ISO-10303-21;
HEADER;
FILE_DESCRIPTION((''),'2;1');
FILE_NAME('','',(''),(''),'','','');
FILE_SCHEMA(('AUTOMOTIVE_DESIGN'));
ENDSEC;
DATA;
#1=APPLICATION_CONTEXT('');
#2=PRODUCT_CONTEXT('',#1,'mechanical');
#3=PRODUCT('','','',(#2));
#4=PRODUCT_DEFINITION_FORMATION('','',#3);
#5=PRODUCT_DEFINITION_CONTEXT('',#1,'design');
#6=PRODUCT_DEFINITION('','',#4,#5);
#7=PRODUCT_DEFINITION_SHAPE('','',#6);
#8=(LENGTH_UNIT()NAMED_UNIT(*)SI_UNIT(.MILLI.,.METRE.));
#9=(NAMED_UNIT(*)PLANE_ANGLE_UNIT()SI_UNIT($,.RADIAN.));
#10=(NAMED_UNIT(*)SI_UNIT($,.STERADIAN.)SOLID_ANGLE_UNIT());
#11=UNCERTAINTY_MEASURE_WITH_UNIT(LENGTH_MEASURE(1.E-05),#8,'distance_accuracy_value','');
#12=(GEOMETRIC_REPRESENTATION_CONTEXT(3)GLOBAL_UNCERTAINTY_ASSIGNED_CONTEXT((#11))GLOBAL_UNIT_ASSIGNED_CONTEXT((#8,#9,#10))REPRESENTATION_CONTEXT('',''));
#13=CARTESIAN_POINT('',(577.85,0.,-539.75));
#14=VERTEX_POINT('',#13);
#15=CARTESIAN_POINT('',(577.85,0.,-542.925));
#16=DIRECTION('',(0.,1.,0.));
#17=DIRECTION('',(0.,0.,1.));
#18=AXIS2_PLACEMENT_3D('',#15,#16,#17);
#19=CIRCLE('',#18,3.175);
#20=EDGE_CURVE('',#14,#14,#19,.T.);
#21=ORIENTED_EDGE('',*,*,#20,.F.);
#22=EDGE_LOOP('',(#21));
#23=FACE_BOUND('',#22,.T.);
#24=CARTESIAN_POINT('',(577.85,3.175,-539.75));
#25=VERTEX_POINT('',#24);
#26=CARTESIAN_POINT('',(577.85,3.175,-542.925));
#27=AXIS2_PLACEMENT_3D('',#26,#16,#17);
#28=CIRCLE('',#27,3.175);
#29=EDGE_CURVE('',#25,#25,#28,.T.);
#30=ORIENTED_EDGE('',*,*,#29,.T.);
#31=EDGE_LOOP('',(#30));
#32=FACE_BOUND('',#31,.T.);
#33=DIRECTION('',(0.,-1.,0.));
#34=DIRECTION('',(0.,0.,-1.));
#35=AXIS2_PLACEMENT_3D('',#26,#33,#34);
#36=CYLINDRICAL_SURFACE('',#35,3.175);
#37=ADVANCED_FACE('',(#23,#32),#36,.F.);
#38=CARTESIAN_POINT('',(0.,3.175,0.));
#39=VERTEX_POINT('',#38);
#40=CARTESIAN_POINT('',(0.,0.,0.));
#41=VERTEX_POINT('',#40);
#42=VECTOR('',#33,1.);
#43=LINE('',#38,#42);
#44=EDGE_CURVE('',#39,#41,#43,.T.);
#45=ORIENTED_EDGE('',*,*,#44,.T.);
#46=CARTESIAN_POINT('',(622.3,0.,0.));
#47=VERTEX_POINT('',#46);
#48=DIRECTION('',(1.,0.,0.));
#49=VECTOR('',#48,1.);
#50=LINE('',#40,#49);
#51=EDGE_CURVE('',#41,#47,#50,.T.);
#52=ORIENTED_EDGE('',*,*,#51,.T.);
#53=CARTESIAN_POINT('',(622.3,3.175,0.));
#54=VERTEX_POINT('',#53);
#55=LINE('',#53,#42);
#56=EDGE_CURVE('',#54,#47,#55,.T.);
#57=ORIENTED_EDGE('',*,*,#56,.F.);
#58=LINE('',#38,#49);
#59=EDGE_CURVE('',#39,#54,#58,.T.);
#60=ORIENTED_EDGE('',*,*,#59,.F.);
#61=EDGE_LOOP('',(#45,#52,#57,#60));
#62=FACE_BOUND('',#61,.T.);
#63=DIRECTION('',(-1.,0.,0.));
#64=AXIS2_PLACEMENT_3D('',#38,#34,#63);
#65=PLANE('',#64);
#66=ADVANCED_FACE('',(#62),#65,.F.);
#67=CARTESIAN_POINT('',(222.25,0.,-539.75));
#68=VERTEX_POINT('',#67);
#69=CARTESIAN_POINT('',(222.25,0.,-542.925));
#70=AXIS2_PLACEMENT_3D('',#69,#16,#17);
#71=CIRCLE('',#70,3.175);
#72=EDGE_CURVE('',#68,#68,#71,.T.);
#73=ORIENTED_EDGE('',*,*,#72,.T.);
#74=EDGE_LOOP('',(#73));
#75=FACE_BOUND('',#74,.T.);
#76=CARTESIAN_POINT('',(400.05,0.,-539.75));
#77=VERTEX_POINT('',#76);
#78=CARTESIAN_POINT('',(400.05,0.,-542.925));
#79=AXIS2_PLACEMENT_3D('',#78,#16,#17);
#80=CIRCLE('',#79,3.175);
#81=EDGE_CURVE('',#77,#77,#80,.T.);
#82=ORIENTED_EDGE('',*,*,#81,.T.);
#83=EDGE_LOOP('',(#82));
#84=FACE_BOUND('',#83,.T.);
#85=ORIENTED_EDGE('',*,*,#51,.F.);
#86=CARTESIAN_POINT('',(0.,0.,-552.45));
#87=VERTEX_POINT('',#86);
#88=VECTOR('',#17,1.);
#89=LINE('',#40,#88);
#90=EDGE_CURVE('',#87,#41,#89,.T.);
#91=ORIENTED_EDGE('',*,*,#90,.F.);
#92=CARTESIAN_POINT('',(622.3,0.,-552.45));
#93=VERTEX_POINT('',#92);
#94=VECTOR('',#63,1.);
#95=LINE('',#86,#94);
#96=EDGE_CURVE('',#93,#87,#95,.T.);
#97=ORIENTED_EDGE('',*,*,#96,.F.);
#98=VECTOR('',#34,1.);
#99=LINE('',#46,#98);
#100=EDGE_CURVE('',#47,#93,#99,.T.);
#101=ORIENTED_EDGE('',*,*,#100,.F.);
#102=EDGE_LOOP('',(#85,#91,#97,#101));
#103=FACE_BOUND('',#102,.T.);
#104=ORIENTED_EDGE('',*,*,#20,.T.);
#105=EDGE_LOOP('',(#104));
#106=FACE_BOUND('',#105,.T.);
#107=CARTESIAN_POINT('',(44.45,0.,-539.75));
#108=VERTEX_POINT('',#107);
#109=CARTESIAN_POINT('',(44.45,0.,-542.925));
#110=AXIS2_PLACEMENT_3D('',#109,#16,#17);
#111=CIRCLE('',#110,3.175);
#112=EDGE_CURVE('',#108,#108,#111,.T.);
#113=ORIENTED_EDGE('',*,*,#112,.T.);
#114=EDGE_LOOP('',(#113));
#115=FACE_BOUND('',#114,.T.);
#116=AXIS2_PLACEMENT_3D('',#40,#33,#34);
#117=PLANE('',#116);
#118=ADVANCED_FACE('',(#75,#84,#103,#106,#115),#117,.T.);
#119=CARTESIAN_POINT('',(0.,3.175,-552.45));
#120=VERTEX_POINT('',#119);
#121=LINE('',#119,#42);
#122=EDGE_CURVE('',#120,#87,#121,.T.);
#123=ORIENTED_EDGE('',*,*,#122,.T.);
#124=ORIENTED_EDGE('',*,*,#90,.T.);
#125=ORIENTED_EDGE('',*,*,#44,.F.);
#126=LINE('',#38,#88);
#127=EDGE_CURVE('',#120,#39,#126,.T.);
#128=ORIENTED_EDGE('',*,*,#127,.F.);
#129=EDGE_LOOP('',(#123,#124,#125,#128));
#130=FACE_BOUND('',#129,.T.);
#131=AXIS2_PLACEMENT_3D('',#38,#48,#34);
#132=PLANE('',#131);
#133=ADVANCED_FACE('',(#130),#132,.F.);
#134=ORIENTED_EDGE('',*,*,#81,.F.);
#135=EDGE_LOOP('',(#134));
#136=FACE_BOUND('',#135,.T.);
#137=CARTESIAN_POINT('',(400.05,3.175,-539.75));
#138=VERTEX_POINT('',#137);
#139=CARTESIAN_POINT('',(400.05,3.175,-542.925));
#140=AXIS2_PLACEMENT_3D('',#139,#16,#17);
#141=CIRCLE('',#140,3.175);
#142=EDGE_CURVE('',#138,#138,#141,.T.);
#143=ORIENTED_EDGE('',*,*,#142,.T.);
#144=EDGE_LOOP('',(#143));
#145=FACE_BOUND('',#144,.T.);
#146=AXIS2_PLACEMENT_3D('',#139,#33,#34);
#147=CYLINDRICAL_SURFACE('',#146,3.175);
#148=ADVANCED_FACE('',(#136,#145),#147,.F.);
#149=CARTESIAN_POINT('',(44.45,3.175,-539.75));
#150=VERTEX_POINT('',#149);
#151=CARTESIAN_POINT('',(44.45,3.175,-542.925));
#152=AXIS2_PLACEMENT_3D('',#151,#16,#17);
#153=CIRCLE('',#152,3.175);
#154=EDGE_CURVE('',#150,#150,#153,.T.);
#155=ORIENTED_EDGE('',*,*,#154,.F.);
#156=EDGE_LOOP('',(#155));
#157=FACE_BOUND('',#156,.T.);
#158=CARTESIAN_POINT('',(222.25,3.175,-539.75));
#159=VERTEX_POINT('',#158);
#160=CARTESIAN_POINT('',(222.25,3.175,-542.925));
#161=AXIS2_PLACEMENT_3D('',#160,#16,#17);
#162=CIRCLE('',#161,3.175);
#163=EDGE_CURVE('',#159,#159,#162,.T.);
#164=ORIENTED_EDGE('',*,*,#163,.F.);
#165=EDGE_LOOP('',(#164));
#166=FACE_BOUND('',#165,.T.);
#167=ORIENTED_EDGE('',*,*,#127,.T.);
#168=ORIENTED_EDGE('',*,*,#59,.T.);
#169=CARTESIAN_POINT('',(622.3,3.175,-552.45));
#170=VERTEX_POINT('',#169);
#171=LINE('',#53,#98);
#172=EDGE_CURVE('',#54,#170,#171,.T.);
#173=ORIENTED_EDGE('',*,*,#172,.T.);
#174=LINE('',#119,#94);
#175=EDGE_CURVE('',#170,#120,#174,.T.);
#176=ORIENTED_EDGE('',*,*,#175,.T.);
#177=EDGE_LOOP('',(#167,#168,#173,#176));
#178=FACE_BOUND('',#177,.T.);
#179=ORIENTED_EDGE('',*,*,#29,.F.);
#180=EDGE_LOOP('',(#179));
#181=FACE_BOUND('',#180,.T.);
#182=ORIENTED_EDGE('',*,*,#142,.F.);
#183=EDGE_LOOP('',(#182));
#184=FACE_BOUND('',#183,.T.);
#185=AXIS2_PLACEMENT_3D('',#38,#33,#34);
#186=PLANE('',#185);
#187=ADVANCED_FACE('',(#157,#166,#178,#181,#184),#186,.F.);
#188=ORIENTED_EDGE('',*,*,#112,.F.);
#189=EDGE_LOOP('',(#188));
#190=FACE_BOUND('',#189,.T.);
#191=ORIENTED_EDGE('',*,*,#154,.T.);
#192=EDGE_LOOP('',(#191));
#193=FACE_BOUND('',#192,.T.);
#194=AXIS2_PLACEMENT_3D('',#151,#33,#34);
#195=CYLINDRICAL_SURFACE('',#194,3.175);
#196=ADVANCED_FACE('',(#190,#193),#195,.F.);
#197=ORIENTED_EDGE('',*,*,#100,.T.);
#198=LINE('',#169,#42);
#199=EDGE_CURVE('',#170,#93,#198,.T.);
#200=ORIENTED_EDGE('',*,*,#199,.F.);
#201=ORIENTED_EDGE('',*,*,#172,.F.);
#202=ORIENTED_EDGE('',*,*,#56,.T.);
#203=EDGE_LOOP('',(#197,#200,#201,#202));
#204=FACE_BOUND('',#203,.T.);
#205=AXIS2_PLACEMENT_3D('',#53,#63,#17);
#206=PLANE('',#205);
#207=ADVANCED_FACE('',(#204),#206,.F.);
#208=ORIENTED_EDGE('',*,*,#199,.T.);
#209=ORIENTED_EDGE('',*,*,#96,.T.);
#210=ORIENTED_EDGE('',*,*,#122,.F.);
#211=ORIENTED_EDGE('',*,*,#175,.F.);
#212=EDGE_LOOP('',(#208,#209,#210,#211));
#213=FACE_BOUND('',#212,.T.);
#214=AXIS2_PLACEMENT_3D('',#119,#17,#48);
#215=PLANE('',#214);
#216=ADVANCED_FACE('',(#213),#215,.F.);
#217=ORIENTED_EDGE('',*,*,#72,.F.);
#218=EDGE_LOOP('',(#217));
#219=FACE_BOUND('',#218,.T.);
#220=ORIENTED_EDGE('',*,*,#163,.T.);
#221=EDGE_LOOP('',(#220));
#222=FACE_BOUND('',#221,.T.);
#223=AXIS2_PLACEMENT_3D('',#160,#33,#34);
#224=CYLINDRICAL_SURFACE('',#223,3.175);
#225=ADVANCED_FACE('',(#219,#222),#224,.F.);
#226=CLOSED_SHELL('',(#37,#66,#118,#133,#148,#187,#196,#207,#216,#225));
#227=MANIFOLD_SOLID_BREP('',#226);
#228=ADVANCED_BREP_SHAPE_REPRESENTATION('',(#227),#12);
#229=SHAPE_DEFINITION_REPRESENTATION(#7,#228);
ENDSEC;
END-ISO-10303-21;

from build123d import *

# Parameters (mm, degrees)
SKETCH1_W           = 622.3
SKETCH1_H           = 552.45
SKETCH1_R           = 3.175
BOSS_EXTRUDE1_DEPTH = 3.175


with BuildPart() as part:
    # Sketch1 → Boss-Extrude1 (new body)
    with BuildSketch(Plane(origin=(0, 0, 0), x_dir=(1, 0, 0), z_dir=(0, 1, 0))):
        with Locations((311.15, 276.225)):
            Rectangle(SKETCH1_W, SKETCH1_H)
        with Locations(Location((44.45, 542.925, 0), (0, 0, 270))):
            Circle(SKETCH1_R, mode=Mode.SUBTRACT)
        with Locations(Location((222.25, 542.925, 0), (0, 0, 270))):
            Circle(SKETCH1_R, mode=Mode.SUBTRACT)
        with Locations(Location((577.85, 542.925, 0), (0, 0, 270))):
            Circle(SKETCH1_R, mode=Mode.SUBTRACT)
        with Locations(Location((400.05, 542.925, 0), (0, 0, 270))):
            Circle(SKETCH1_R, mode=Mode.SUBTRACT)
    extrude(amount=BOSS_EXTRUDE1_DEPTH)


solid = part.part
